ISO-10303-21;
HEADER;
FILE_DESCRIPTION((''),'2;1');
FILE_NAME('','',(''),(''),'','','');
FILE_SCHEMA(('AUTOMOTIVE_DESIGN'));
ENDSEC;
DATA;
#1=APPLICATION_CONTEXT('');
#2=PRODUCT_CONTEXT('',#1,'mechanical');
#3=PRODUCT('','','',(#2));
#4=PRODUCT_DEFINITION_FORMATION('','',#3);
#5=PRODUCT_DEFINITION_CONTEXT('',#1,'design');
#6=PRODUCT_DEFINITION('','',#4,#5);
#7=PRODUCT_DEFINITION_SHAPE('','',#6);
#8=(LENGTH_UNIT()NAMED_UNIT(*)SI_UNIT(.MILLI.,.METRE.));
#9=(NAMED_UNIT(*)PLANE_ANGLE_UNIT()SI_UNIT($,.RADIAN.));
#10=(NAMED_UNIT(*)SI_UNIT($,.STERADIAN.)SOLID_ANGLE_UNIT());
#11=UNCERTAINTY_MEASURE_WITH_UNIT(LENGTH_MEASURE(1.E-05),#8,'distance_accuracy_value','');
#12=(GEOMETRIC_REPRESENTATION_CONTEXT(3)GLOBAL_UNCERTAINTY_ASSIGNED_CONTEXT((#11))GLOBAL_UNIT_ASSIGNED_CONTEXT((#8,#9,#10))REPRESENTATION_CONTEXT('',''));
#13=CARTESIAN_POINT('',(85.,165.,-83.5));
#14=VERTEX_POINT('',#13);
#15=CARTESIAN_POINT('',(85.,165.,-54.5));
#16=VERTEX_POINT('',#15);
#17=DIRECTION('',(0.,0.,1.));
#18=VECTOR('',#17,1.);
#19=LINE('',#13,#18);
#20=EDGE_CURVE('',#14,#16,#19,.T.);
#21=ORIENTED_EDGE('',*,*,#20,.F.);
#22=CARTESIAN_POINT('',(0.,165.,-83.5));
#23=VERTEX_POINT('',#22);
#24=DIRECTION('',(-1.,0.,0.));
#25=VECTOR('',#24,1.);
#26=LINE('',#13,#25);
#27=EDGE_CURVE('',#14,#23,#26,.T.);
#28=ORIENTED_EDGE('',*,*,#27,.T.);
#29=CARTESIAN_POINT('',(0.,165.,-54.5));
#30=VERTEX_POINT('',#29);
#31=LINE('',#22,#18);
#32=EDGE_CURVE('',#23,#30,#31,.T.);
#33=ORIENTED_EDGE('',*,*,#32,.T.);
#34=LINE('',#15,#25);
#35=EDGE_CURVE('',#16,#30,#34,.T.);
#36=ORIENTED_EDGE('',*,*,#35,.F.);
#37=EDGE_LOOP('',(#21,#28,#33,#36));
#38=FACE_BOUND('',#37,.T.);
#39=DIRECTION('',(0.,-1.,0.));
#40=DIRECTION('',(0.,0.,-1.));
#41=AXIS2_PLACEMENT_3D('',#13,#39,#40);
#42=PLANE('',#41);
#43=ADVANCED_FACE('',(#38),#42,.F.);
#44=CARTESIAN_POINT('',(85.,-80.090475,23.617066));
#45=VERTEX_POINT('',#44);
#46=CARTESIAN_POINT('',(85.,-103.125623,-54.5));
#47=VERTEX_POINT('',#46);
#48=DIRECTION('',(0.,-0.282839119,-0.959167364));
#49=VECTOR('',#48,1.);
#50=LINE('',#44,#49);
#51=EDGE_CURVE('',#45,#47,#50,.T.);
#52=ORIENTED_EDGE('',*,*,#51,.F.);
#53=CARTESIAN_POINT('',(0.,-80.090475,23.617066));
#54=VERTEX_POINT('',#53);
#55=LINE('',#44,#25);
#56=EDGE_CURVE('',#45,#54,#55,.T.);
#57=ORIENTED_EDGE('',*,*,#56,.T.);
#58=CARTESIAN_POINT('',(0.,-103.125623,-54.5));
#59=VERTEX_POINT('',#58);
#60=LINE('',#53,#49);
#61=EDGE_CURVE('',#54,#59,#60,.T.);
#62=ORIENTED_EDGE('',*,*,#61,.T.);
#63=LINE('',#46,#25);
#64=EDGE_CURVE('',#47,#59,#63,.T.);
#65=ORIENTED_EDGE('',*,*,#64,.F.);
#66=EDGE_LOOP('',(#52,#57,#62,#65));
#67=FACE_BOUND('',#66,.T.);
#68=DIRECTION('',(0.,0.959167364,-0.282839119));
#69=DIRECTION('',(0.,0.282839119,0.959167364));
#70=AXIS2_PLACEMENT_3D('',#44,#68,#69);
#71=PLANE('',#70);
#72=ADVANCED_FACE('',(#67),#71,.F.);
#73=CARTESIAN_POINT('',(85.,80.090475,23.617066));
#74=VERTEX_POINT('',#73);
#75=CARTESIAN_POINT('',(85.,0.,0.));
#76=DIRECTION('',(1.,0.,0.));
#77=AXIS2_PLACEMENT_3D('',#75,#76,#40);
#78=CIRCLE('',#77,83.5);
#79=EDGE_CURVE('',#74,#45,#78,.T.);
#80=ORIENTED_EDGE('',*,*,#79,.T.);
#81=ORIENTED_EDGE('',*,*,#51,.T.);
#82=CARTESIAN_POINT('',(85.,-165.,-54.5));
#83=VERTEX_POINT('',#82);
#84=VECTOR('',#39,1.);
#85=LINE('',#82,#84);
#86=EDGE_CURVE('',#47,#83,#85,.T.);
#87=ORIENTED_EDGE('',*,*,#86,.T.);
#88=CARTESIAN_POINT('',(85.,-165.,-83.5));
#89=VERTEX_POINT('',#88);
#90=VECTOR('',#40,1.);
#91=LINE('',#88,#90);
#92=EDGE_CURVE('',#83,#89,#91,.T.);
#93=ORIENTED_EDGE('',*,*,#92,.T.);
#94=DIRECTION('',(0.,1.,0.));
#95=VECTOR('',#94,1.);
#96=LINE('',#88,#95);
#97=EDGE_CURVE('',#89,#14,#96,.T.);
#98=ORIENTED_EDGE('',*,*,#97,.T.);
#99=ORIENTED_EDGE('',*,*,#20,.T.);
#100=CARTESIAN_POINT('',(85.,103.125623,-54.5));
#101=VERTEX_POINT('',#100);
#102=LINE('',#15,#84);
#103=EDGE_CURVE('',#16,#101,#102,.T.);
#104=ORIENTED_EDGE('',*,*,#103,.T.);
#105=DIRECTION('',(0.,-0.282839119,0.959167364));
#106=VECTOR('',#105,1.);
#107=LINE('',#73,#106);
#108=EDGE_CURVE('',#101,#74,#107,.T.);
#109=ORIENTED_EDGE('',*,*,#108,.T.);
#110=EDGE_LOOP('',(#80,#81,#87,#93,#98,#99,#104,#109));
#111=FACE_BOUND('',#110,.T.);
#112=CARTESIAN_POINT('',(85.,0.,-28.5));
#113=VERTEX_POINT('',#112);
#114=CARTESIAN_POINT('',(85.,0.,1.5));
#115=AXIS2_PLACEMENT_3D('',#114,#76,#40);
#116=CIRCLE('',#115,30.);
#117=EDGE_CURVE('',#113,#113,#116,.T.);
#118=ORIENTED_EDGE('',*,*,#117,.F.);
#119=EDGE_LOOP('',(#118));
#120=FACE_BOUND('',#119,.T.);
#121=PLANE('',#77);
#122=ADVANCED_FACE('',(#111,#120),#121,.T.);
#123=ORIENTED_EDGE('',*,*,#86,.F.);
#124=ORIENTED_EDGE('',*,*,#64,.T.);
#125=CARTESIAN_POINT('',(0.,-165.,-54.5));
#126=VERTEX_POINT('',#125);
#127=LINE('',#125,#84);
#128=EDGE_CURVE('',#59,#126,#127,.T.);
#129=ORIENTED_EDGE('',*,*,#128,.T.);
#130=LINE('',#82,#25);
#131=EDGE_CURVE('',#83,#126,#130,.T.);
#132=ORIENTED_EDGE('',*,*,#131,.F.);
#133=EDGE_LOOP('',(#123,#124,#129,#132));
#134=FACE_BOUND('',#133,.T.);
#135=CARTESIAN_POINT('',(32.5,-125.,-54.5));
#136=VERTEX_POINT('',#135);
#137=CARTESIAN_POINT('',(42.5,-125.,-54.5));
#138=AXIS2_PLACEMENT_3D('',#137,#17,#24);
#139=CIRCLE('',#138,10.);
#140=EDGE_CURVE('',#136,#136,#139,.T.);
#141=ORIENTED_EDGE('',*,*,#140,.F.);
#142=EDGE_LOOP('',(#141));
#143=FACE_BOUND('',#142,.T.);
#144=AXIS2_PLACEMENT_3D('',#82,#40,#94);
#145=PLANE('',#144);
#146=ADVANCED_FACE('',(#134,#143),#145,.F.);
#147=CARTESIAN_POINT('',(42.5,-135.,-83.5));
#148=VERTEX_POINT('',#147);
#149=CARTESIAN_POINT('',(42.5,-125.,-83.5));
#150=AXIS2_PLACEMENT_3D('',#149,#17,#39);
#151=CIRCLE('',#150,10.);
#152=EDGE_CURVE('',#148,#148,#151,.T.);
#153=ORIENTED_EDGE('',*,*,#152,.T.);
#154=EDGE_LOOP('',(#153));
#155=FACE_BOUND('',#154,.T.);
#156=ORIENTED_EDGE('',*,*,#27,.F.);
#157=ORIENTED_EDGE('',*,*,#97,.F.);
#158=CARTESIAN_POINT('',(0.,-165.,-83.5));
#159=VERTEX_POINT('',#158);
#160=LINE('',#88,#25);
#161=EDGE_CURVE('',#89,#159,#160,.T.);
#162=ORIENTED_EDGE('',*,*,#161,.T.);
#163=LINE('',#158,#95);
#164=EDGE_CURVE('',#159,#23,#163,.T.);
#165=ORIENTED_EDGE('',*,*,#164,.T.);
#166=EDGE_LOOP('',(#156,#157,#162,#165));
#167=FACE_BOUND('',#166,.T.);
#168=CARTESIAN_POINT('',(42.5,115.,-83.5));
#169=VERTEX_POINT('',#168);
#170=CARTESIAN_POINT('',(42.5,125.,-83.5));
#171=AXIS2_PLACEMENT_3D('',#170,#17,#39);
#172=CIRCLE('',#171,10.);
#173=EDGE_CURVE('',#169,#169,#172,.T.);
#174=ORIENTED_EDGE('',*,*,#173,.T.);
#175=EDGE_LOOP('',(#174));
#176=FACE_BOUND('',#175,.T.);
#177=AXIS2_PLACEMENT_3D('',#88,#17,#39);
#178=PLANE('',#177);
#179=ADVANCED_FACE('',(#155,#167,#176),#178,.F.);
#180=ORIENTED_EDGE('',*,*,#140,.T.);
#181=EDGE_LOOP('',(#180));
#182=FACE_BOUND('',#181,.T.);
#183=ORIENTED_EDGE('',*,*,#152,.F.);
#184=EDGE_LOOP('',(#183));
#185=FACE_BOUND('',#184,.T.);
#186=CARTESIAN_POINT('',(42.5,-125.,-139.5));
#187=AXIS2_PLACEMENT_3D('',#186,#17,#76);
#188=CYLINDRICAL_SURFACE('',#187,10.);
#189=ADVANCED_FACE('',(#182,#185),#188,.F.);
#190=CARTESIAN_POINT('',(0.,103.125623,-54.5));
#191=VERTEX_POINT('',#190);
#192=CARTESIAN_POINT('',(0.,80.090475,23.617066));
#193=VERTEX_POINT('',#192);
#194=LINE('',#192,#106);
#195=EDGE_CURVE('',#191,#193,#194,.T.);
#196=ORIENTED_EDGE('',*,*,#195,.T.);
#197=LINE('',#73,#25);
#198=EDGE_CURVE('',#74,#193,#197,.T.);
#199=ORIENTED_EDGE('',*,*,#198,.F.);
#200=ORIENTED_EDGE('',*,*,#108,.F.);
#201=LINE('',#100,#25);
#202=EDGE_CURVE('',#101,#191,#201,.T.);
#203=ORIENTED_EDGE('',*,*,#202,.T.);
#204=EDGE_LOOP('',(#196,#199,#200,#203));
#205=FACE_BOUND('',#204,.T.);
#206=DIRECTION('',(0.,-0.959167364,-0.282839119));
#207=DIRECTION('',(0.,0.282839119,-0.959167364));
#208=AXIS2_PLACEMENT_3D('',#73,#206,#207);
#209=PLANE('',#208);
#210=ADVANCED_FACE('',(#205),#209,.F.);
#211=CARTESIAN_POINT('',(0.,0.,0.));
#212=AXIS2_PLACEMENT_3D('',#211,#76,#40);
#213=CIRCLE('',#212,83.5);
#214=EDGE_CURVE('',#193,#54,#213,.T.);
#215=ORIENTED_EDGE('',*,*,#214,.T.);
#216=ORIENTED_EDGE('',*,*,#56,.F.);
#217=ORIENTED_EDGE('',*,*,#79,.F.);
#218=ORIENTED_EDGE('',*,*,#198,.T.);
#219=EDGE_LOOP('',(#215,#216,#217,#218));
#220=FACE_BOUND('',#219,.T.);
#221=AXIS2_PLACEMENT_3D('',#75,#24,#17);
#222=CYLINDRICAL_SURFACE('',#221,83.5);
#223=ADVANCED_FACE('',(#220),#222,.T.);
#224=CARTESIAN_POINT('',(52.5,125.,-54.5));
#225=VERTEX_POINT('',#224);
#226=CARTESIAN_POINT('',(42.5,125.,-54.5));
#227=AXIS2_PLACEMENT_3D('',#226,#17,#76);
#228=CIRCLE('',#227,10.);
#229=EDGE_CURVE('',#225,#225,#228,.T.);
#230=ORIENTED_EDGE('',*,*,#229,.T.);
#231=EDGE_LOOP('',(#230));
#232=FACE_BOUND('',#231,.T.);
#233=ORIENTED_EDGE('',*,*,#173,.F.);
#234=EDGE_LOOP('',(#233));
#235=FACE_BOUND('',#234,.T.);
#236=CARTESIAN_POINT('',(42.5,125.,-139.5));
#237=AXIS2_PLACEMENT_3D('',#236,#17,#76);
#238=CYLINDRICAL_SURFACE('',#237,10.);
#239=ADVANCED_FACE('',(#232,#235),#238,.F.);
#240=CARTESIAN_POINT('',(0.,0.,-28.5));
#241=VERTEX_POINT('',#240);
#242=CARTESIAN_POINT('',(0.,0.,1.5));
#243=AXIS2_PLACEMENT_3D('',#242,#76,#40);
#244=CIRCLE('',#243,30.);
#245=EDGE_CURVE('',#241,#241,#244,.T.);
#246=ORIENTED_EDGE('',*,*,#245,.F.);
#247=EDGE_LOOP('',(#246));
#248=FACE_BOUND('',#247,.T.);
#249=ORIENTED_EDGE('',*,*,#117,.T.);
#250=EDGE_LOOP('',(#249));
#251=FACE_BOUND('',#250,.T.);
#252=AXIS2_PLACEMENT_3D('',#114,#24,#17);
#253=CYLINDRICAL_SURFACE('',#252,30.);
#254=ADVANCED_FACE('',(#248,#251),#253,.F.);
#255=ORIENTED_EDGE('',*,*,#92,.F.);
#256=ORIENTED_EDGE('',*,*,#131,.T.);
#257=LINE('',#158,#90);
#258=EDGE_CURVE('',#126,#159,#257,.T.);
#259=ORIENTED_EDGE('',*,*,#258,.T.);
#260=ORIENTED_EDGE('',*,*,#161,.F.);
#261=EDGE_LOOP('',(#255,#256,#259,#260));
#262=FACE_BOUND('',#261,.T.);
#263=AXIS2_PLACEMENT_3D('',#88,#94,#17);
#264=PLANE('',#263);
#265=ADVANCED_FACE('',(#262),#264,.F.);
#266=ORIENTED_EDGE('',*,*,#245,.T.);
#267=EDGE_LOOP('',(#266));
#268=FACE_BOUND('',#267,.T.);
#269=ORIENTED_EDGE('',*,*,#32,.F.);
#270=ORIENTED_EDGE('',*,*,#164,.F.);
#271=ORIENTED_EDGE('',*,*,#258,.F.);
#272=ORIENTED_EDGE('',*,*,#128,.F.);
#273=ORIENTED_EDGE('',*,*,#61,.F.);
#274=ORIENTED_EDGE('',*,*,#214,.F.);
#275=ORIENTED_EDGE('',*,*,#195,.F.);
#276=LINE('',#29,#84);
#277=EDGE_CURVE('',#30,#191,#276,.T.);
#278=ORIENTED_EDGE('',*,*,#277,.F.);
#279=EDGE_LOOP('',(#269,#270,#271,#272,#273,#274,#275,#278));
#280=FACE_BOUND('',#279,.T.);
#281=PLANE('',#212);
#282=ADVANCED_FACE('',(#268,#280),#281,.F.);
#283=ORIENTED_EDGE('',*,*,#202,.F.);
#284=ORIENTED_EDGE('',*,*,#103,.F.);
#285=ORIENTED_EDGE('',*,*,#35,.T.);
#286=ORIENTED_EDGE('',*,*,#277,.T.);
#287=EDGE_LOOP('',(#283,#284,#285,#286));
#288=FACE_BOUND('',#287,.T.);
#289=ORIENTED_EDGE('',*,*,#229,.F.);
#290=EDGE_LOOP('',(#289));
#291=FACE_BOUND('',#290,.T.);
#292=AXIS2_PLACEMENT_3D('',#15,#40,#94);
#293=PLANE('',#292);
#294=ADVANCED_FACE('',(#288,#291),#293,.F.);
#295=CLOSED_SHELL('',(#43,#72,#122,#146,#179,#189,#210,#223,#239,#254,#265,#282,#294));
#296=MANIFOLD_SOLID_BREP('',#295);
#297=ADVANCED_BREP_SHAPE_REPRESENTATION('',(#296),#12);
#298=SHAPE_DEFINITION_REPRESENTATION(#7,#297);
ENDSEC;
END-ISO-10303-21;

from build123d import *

# Parameters (mm, degrees)
SKETCH1_R           = 30
BOSS_EXTRUDE1_DEPTH = 85
SKETCH2_R           = 10
CUT_EXTRUDE1_DEPTH  = 85


with BuildPart() as part:
    # Sketch1 → Boss-Extrude1 (new body)
    with BuildSketch(Plane.YZ):
        with BuildLine():
            Line((-165, -83.5), (165, -83.5))
            Line((165, -83.5), (165, -54.5))
            Line((165, -54.5), (103.12562301, -54.5))
            Line((103.12562301, -54.5), (80.090474911, 23.617066466))
            ThreePointArc((80.090474911, 23.617066466), (0, 83.5), (-80.090474911, 23.617066466))
            Line((-80.090474911, 23.617066466), (-103.12562301, -54.5))
            Line((-103.12562301, -54.5), (-165, -54.5))
            Line((-165, -54.5), (-165, -83.5))
        make_face()
        with Locations(Location((0, 1.5, 0), (0, 0, 270))):
            Circle(SKETCH1_R, mode=Mode.SUBTRACT)
    extrude(amount=BOSS_EXTRUDE1_DEPTH)

    # Sketch2 → Cut-Extrude1 (cut)
    with BuildSketch(Plane.XY.offset(-54.5)):
        with Locations((42.5, 125)):
            Circle(SKETCH2_R)
        with Locations(Location((42.5, -125, 0), (0, 0, 270))):
            Circle(SKETCH2_R)
    extrude(amount=-CUT_EXTRUDE1_DEPTH, mode=Mode.SUBTRACT)


solid = part.part
